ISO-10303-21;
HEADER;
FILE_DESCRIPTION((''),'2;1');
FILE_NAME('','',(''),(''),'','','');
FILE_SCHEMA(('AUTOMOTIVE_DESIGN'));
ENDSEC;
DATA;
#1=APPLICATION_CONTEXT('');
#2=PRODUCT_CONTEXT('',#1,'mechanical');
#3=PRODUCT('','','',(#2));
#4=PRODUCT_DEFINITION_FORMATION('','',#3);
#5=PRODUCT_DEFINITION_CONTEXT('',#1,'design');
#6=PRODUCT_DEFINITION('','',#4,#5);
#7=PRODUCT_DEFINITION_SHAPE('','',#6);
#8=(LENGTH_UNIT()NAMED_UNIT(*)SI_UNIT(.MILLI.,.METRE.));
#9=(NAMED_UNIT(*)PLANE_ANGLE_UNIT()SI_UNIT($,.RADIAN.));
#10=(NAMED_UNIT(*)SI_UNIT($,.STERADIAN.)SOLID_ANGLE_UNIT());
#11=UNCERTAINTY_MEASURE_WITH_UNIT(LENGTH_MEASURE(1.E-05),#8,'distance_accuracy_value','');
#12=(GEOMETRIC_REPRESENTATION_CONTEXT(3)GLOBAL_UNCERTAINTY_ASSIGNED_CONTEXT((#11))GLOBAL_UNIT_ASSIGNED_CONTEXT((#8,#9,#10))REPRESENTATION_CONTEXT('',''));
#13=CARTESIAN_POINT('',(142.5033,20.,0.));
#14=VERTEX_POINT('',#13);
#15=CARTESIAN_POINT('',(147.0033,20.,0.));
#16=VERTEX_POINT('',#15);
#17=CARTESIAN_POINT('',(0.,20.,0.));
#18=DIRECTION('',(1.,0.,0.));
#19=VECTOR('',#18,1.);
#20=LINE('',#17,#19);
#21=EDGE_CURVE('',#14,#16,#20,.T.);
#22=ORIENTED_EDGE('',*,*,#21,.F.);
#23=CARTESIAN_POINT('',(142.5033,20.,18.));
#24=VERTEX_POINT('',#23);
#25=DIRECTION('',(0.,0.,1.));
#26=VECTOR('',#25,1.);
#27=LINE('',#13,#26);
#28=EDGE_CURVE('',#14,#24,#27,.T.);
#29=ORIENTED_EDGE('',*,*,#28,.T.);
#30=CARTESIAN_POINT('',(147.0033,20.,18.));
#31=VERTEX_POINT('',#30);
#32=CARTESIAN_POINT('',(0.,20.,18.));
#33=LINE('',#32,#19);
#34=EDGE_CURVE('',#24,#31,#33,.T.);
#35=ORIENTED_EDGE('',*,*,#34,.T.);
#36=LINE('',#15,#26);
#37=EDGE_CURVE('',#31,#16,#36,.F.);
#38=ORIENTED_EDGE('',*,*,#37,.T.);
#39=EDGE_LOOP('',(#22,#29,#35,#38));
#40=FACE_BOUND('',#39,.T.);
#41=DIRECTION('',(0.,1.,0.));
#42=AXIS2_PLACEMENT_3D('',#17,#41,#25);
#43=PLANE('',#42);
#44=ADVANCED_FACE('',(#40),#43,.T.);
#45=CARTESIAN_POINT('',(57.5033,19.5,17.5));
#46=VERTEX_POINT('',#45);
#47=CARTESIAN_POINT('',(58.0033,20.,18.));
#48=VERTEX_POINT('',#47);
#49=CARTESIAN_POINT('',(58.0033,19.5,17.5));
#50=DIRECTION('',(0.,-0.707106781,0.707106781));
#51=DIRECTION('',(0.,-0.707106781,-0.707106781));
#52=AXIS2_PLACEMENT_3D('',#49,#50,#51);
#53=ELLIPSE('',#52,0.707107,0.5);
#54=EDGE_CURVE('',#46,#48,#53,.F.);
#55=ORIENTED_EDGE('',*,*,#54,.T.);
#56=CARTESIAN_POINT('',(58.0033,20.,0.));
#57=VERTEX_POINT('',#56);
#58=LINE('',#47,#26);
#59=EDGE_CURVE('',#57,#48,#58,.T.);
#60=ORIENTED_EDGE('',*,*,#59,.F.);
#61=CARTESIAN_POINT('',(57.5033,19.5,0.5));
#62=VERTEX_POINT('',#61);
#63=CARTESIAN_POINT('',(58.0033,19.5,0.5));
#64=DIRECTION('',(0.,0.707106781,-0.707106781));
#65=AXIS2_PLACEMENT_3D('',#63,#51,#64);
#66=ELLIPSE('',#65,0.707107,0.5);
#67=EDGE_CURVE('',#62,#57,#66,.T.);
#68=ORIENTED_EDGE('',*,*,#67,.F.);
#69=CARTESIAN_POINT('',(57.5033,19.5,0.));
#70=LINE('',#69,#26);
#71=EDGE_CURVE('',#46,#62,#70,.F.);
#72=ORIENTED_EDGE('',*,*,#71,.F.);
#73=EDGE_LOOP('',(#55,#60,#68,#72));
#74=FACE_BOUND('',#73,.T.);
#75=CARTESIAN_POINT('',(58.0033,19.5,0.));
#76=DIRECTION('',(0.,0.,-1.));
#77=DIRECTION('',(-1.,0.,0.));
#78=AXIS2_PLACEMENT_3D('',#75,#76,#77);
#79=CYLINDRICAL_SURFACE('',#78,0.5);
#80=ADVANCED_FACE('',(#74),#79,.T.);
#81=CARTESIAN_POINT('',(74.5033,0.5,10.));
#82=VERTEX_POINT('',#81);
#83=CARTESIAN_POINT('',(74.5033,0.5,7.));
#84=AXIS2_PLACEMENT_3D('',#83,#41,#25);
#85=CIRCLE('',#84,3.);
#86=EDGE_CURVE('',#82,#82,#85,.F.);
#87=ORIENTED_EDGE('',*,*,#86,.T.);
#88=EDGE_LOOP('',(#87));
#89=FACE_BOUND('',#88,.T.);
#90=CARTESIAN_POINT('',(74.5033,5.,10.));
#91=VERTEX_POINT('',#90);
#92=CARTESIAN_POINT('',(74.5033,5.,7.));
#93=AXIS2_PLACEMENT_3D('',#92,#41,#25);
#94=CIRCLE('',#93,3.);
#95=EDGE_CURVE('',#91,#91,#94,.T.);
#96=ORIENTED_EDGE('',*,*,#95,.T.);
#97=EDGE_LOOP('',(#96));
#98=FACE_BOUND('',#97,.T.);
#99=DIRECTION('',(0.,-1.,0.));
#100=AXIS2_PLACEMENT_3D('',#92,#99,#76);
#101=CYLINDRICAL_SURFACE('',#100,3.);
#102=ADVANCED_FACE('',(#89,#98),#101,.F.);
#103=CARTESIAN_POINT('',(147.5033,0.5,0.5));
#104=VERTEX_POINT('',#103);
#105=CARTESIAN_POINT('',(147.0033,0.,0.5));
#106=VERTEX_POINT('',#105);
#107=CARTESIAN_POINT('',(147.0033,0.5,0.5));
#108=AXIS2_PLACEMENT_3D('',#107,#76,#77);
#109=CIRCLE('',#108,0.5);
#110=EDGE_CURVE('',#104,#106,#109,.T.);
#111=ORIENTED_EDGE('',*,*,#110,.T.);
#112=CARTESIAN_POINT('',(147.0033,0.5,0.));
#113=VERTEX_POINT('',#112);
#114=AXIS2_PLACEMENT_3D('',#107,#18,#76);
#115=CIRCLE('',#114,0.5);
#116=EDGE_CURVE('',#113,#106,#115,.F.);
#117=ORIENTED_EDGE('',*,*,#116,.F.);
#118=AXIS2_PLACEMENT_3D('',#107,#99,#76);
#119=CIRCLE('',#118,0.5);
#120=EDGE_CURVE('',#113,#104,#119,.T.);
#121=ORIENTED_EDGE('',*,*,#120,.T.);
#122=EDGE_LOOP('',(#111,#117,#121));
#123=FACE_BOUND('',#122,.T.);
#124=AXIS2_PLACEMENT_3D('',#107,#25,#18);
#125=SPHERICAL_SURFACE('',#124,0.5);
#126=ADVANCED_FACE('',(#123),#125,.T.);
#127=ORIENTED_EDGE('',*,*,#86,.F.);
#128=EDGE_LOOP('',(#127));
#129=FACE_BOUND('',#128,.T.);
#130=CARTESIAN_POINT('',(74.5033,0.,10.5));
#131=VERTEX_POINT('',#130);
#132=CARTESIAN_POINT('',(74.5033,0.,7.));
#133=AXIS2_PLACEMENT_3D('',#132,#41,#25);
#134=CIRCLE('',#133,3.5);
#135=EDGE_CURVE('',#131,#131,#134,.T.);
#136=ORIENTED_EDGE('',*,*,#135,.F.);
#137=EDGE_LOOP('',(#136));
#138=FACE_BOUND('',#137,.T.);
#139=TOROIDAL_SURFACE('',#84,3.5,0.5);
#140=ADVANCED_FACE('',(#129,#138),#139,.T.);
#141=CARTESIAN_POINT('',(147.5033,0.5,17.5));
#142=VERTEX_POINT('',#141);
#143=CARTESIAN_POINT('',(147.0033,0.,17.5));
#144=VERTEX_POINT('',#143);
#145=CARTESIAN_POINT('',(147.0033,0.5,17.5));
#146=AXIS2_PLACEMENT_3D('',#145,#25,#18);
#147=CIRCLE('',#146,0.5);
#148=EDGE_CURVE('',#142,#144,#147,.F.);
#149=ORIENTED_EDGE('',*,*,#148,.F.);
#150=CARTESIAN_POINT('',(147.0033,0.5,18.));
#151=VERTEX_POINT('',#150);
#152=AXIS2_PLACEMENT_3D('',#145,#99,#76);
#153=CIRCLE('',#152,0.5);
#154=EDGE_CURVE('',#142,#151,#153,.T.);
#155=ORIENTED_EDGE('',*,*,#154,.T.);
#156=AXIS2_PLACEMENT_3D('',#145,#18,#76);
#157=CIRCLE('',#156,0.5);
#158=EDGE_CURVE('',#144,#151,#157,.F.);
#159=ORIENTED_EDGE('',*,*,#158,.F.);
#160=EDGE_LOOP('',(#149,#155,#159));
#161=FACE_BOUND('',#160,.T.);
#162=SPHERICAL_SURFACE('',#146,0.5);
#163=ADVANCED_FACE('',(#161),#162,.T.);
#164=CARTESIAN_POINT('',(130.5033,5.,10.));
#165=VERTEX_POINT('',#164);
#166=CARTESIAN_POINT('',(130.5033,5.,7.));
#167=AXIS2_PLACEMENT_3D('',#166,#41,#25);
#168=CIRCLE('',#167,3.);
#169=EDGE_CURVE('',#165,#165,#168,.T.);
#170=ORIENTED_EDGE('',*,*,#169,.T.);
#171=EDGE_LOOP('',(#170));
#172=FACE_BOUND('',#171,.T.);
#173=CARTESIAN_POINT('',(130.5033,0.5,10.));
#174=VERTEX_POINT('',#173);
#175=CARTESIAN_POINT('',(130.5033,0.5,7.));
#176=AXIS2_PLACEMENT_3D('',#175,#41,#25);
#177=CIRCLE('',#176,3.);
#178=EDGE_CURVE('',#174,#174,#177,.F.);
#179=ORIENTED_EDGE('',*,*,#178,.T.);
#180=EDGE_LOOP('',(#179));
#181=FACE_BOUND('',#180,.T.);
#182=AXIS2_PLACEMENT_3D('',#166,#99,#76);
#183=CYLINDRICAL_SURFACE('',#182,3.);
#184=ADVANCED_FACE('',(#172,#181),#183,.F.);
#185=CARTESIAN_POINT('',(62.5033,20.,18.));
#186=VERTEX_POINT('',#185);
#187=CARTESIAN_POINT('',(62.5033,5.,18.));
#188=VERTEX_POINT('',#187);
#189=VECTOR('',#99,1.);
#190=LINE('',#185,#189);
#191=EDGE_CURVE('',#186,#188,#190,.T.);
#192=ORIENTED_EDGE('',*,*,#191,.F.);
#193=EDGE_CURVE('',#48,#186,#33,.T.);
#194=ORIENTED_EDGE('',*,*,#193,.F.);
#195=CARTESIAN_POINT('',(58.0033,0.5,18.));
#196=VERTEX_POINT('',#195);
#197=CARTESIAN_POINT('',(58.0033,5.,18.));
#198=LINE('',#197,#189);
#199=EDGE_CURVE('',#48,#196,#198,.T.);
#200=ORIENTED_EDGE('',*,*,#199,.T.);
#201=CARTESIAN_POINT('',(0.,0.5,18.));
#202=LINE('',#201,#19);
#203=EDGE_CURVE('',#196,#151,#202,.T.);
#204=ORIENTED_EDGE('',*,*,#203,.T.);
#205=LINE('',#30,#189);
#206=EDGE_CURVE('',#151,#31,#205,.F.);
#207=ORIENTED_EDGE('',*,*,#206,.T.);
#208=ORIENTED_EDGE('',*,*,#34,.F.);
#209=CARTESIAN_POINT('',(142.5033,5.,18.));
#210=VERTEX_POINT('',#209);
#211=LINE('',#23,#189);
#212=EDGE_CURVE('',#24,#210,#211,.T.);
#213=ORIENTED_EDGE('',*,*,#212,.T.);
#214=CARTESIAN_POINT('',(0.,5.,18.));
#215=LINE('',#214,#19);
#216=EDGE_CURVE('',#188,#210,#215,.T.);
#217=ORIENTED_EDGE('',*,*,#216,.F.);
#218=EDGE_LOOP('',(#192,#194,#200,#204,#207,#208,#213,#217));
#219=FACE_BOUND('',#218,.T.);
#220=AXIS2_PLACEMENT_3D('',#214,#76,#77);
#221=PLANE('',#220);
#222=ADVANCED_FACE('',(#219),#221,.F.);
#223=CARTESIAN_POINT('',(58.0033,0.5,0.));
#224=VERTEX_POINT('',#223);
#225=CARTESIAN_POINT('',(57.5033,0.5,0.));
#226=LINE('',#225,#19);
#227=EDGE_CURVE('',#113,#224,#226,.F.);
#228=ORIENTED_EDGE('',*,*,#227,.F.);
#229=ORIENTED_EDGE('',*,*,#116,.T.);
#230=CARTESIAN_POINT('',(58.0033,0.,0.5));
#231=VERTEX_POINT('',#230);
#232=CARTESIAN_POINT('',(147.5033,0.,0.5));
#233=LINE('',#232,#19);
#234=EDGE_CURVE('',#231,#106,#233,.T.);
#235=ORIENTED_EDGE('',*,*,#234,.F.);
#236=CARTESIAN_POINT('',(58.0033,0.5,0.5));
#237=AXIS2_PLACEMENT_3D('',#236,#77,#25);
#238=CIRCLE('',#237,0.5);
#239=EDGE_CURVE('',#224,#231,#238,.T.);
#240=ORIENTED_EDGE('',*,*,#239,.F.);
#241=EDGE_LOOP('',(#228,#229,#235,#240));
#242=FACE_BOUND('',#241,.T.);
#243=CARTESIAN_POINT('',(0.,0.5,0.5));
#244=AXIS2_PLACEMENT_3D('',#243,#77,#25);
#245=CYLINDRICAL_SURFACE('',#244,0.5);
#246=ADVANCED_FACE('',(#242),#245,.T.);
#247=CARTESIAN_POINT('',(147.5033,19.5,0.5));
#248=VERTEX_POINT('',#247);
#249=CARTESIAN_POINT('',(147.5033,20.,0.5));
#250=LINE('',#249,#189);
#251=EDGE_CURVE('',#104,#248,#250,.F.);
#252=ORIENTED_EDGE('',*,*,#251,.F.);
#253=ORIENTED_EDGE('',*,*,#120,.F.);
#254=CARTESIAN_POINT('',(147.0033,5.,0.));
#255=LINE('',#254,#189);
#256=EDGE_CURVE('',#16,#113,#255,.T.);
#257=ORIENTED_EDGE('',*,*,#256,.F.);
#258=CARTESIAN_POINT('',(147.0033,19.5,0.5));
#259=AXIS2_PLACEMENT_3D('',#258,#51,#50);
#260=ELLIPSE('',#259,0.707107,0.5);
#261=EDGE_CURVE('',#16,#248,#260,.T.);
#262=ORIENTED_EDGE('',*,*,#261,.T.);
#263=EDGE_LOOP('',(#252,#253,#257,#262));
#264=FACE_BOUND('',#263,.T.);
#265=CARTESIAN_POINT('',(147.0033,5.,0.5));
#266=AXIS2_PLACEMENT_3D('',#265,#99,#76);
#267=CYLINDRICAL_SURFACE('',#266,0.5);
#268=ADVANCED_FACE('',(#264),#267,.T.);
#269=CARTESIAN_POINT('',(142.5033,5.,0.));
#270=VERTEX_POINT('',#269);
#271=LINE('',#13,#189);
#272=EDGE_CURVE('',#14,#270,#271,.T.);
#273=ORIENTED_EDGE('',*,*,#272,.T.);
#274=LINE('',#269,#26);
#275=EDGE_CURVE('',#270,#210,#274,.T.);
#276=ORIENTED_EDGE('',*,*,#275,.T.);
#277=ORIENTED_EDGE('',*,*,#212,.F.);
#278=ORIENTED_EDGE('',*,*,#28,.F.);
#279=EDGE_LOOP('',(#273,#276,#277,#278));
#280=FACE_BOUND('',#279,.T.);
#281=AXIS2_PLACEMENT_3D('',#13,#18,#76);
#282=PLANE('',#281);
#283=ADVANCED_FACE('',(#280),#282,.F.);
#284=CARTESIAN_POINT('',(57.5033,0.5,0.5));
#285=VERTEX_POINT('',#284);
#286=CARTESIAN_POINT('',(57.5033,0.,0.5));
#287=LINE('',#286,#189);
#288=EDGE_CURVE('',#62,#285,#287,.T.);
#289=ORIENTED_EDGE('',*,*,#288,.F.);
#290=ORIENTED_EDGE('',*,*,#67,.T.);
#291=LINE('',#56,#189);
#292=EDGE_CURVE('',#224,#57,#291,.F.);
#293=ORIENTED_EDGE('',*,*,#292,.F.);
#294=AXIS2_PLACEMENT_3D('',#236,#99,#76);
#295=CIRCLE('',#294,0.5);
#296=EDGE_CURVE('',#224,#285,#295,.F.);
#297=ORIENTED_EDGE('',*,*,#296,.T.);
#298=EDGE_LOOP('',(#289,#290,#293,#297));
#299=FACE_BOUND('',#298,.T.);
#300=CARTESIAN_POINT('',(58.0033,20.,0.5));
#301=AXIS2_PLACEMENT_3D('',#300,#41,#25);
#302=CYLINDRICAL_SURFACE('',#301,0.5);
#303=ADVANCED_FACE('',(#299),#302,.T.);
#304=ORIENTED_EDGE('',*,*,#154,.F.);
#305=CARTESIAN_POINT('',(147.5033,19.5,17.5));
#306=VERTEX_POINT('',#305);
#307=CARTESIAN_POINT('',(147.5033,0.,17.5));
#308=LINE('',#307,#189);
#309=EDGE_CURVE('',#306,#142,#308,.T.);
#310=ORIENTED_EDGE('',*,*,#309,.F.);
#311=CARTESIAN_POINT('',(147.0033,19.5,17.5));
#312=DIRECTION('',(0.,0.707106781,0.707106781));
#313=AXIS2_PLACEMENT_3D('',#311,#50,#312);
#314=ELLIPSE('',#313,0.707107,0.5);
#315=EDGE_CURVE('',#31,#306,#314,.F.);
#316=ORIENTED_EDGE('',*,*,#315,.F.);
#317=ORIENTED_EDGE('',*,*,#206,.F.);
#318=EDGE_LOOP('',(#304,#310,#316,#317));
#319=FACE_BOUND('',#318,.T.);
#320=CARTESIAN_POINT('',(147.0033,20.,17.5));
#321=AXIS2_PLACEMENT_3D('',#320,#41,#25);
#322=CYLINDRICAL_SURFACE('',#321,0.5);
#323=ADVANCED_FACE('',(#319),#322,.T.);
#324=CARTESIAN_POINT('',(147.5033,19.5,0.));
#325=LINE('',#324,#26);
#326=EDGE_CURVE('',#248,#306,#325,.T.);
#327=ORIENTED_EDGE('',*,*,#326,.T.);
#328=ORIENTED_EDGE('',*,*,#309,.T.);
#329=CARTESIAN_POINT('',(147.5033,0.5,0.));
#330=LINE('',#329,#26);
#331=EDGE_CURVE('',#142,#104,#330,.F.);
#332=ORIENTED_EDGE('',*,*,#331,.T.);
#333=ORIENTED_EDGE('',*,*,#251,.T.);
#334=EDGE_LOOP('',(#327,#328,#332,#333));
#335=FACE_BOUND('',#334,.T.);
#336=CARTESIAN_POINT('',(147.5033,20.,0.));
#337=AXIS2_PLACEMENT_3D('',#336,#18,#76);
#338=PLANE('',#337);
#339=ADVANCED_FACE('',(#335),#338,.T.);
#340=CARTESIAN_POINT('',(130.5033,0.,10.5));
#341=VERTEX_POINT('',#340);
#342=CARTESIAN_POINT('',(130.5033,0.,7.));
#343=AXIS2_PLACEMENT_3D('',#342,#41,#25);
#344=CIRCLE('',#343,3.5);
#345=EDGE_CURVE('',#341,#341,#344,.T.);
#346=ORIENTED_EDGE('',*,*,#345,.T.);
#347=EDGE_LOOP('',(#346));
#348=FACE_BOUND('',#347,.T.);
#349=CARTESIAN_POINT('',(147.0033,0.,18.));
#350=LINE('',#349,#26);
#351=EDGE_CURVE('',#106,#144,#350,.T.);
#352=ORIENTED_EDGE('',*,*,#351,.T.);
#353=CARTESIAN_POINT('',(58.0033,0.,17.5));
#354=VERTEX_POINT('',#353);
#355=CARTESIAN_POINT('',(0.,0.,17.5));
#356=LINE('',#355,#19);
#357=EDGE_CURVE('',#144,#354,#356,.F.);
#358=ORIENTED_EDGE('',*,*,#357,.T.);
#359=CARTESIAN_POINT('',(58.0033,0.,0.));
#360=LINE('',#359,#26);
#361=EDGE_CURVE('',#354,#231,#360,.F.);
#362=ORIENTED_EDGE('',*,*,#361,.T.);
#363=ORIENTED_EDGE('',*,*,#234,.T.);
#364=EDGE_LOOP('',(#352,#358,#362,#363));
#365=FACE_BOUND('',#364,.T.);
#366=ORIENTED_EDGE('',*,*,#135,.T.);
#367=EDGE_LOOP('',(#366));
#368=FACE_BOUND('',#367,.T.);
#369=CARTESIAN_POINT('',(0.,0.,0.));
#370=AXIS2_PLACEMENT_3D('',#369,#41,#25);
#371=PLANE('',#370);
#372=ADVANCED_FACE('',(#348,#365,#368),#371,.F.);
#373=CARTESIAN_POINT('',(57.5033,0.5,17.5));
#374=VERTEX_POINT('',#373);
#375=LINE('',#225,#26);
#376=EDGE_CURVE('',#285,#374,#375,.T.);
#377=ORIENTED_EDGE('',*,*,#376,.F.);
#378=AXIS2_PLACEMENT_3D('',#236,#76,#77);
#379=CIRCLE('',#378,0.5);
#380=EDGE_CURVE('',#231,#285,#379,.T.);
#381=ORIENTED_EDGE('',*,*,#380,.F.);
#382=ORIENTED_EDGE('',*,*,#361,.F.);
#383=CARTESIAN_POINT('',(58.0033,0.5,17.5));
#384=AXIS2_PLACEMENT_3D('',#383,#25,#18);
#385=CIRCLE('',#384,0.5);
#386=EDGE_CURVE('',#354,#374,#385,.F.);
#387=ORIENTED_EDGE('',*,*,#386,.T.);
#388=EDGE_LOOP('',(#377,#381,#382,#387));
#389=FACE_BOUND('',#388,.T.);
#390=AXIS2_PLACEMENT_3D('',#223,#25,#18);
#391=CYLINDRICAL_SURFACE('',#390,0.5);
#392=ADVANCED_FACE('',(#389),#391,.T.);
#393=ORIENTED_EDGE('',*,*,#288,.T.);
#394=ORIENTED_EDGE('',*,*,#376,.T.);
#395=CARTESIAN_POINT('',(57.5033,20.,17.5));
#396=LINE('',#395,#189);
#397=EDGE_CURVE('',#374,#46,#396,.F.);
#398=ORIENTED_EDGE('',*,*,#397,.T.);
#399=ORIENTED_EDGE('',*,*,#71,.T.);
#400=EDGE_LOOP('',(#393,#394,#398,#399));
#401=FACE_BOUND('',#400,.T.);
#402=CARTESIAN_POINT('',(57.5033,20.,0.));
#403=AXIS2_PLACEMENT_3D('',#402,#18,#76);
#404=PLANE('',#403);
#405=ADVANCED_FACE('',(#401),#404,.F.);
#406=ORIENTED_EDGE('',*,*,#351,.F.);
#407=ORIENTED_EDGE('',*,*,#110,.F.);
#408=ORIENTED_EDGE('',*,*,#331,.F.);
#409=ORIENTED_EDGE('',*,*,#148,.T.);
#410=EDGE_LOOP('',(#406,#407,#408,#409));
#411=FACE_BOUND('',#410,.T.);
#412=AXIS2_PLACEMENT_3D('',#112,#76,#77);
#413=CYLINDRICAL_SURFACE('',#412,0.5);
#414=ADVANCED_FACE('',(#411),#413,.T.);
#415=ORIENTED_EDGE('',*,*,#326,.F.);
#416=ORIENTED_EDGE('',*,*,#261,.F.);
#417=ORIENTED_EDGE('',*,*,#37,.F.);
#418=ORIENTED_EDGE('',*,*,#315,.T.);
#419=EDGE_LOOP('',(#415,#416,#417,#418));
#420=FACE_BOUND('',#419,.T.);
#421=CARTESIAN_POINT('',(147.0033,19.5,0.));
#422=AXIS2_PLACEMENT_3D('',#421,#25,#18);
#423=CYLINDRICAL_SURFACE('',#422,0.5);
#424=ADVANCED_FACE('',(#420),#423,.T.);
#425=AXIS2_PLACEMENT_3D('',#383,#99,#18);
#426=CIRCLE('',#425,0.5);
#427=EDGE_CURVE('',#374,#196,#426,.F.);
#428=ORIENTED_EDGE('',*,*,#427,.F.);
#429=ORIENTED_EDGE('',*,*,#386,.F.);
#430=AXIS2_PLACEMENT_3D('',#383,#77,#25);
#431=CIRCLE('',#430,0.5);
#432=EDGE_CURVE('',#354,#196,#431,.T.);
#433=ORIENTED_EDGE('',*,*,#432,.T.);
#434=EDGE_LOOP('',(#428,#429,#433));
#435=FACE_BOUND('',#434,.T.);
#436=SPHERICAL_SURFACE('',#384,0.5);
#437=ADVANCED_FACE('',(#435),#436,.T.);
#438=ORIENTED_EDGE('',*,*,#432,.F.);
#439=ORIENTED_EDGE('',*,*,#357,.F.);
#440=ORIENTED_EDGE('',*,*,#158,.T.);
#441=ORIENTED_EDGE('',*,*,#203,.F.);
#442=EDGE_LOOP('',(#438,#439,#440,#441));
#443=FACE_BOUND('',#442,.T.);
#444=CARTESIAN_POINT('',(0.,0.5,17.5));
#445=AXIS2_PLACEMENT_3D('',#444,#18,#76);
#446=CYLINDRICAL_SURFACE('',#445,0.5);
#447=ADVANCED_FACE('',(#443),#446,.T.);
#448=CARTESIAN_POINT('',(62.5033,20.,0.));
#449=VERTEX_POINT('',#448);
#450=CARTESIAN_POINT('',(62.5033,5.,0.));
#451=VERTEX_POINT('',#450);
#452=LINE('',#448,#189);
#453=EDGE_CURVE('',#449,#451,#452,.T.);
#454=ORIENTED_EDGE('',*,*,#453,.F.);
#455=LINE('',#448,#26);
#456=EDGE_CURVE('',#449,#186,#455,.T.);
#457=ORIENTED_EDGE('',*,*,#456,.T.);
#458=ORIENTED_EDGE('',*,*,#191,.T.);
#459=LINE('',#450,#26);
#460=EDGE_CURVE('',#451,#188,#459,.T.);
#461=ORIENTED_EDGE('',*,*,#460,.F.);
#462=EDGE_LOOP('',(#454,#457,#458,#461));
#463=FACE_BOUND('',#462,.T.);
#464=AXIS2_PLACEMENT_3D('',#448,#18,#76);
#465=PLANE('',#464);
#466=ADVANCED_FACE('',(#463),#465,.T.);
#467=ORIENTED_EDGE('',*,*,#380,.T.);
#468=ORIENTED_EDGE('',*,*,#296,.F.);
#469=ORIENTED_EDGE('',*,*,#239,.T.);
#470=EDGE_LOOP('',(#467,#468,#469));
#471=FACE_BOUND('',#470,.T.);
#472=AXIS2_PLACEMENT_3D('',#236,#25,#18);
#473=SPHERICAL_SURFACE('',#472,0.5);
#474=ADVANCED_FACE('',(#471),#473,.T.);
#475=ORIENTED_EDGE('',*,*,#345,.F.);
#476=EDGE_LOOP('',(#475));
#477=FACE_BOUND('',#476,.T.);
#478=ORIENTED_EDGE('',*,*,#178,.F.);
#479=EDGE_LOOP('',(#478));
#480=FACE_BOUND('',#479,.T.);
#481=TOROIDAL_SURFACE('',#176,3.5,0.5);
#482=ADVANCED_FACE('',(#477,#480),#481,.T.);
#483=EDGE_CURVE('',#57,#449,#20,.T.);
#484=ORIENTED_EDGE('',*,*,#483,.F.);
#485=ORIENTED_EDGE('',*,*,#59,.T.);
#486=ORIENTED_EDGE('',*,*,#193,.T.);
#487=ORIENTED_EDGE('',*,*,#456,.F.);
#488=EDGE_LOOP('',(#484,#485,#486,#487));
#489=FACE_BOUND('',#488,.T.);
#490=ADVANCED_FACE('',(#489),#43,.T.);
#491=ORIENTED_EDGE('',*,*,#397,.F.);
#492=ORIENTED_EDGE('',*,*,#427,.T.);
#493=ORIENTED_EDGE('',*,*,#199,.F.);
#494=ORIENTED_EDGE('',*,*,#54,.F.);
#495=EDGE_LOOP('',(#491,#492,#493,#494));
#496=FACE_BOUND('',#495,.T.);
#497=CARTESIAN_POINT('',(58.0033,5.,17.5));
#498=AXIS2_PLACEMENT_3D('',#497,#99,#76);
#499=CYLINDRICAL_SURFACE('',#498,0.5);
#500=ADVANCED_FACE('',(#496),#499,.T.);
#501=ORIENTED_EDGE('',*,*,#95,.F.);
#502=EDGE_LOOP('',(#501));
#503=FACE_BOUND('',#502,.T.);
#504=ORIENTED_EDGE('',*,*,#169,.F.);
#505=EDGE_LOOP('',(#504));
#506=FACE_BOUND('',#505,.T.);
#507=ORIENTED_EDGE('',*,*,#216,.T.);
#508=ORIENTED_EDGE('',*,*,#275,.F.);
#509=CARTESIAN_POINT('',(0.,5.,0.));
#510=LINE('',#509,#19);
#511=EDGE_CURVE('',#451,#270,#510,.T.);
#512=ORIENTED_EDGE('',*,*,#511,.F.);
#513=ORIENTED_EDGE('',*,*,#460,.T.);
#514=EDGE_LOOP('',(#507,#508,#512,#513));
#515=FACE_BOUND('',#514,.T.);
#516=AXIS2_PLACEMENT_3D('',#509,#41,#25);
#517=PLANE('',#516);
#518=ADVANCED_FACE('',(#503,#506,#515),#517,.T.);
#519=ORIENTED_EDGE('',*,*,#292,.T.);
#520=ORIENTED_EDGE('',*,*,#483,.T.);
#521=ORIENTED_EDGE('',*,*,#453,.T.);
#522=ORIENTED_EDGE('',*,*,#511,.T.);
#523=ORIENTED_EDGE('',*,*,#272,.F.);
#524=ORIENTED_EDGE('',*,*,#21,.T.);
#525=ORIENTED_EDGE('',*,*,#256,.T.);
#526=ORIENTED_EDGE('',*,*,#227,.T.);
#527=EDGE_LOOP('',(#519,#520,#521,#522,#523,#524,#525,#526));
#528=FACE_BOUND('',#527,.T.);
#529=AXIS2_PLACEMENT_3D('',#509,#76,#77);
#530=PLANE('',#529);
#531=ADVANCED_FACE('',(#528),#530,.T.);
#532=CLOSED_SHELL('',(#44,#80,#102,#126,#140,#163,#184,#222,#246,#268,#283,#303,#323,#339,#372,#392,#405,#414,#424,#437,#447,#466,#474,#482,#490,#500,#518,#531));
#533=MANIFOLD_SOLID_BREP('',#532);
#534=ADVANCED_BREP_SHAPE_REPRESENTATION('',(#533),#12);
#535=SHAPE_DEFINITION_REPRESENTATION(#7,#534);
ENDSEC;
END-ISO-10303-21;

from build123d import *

# Parameters (mm, degrees)
SKETCH1_W           = 80
SKETCH1_H           = 18
SKETCH1_R           = 3
BOSS_EXTRUDE1_DEPTH = 5
SKETCH1_6_W         = 5
SKETCH1_6_H         = 18
BOSS_EXTRUDE2_DEPTH = 20
FILLET1_R           = 0.5


with BuildPart() as part:
    # Sketch1 → Boss-Extrude1 (new body)
    with BuildSketch(Plane(origin=(0, 0, 0), x_dir=(1, 0, 0), z_dir=(0, 1, 0))):
        with Locations((102.5033, -9)):
            Rectangle(SKETCH1_W, SKETCH1_H)
        with Locations((74.5033, -7)):
            Circle(SKETCH1_R, mode=Mode.SUBTRACT)
        with Locations((130.5033, -7)):
            Circle(SKETCH1_R, mode=Mode.SUBTRACT)
    extrude(amount=BOSS_EXTRUDE1_DEPTH)

    # Sketch1<6> → Boss-Extrude2 (add)
    with BuildSketch(Plane(origin=(0, 0, 0), x_dir=(1, 0, 0), z_dir=(0, 1, 0))):
        with Locations((145.0033, -9)):
            Rectangle(SKETCH1_6_W, SKETCH1_6_H)
        with Locations((60.0033, -9)):
            Rectangle(SKETCH1_6_W, SKETCH1_6_H)
    extrude(amount=BOSS_EXTRUDE2_DEPTH)

    # Fillet1
    fillet1_edges = [part.edges().sort_by_distance(p)[0] for p in [
        (57.5033, 10, 0),
        (57.5033, 20, 9),
        (57.5033, 10, 18),
        (57.5033, 0, 9),
        (102.5033, 0, 18),
        (102.5033, 0, 0),
        (71.5033, 0, 7),
        (127.5033, 0, 7),
        (147.5033, 10, 18),
        (147.5033, 20, 9),
        (147.5033, 10, 0),
        (147.5033, 0, 9),
    ]]
    fillet(fillet1_edges, radius=FILLET1_R)


solid = part.part
